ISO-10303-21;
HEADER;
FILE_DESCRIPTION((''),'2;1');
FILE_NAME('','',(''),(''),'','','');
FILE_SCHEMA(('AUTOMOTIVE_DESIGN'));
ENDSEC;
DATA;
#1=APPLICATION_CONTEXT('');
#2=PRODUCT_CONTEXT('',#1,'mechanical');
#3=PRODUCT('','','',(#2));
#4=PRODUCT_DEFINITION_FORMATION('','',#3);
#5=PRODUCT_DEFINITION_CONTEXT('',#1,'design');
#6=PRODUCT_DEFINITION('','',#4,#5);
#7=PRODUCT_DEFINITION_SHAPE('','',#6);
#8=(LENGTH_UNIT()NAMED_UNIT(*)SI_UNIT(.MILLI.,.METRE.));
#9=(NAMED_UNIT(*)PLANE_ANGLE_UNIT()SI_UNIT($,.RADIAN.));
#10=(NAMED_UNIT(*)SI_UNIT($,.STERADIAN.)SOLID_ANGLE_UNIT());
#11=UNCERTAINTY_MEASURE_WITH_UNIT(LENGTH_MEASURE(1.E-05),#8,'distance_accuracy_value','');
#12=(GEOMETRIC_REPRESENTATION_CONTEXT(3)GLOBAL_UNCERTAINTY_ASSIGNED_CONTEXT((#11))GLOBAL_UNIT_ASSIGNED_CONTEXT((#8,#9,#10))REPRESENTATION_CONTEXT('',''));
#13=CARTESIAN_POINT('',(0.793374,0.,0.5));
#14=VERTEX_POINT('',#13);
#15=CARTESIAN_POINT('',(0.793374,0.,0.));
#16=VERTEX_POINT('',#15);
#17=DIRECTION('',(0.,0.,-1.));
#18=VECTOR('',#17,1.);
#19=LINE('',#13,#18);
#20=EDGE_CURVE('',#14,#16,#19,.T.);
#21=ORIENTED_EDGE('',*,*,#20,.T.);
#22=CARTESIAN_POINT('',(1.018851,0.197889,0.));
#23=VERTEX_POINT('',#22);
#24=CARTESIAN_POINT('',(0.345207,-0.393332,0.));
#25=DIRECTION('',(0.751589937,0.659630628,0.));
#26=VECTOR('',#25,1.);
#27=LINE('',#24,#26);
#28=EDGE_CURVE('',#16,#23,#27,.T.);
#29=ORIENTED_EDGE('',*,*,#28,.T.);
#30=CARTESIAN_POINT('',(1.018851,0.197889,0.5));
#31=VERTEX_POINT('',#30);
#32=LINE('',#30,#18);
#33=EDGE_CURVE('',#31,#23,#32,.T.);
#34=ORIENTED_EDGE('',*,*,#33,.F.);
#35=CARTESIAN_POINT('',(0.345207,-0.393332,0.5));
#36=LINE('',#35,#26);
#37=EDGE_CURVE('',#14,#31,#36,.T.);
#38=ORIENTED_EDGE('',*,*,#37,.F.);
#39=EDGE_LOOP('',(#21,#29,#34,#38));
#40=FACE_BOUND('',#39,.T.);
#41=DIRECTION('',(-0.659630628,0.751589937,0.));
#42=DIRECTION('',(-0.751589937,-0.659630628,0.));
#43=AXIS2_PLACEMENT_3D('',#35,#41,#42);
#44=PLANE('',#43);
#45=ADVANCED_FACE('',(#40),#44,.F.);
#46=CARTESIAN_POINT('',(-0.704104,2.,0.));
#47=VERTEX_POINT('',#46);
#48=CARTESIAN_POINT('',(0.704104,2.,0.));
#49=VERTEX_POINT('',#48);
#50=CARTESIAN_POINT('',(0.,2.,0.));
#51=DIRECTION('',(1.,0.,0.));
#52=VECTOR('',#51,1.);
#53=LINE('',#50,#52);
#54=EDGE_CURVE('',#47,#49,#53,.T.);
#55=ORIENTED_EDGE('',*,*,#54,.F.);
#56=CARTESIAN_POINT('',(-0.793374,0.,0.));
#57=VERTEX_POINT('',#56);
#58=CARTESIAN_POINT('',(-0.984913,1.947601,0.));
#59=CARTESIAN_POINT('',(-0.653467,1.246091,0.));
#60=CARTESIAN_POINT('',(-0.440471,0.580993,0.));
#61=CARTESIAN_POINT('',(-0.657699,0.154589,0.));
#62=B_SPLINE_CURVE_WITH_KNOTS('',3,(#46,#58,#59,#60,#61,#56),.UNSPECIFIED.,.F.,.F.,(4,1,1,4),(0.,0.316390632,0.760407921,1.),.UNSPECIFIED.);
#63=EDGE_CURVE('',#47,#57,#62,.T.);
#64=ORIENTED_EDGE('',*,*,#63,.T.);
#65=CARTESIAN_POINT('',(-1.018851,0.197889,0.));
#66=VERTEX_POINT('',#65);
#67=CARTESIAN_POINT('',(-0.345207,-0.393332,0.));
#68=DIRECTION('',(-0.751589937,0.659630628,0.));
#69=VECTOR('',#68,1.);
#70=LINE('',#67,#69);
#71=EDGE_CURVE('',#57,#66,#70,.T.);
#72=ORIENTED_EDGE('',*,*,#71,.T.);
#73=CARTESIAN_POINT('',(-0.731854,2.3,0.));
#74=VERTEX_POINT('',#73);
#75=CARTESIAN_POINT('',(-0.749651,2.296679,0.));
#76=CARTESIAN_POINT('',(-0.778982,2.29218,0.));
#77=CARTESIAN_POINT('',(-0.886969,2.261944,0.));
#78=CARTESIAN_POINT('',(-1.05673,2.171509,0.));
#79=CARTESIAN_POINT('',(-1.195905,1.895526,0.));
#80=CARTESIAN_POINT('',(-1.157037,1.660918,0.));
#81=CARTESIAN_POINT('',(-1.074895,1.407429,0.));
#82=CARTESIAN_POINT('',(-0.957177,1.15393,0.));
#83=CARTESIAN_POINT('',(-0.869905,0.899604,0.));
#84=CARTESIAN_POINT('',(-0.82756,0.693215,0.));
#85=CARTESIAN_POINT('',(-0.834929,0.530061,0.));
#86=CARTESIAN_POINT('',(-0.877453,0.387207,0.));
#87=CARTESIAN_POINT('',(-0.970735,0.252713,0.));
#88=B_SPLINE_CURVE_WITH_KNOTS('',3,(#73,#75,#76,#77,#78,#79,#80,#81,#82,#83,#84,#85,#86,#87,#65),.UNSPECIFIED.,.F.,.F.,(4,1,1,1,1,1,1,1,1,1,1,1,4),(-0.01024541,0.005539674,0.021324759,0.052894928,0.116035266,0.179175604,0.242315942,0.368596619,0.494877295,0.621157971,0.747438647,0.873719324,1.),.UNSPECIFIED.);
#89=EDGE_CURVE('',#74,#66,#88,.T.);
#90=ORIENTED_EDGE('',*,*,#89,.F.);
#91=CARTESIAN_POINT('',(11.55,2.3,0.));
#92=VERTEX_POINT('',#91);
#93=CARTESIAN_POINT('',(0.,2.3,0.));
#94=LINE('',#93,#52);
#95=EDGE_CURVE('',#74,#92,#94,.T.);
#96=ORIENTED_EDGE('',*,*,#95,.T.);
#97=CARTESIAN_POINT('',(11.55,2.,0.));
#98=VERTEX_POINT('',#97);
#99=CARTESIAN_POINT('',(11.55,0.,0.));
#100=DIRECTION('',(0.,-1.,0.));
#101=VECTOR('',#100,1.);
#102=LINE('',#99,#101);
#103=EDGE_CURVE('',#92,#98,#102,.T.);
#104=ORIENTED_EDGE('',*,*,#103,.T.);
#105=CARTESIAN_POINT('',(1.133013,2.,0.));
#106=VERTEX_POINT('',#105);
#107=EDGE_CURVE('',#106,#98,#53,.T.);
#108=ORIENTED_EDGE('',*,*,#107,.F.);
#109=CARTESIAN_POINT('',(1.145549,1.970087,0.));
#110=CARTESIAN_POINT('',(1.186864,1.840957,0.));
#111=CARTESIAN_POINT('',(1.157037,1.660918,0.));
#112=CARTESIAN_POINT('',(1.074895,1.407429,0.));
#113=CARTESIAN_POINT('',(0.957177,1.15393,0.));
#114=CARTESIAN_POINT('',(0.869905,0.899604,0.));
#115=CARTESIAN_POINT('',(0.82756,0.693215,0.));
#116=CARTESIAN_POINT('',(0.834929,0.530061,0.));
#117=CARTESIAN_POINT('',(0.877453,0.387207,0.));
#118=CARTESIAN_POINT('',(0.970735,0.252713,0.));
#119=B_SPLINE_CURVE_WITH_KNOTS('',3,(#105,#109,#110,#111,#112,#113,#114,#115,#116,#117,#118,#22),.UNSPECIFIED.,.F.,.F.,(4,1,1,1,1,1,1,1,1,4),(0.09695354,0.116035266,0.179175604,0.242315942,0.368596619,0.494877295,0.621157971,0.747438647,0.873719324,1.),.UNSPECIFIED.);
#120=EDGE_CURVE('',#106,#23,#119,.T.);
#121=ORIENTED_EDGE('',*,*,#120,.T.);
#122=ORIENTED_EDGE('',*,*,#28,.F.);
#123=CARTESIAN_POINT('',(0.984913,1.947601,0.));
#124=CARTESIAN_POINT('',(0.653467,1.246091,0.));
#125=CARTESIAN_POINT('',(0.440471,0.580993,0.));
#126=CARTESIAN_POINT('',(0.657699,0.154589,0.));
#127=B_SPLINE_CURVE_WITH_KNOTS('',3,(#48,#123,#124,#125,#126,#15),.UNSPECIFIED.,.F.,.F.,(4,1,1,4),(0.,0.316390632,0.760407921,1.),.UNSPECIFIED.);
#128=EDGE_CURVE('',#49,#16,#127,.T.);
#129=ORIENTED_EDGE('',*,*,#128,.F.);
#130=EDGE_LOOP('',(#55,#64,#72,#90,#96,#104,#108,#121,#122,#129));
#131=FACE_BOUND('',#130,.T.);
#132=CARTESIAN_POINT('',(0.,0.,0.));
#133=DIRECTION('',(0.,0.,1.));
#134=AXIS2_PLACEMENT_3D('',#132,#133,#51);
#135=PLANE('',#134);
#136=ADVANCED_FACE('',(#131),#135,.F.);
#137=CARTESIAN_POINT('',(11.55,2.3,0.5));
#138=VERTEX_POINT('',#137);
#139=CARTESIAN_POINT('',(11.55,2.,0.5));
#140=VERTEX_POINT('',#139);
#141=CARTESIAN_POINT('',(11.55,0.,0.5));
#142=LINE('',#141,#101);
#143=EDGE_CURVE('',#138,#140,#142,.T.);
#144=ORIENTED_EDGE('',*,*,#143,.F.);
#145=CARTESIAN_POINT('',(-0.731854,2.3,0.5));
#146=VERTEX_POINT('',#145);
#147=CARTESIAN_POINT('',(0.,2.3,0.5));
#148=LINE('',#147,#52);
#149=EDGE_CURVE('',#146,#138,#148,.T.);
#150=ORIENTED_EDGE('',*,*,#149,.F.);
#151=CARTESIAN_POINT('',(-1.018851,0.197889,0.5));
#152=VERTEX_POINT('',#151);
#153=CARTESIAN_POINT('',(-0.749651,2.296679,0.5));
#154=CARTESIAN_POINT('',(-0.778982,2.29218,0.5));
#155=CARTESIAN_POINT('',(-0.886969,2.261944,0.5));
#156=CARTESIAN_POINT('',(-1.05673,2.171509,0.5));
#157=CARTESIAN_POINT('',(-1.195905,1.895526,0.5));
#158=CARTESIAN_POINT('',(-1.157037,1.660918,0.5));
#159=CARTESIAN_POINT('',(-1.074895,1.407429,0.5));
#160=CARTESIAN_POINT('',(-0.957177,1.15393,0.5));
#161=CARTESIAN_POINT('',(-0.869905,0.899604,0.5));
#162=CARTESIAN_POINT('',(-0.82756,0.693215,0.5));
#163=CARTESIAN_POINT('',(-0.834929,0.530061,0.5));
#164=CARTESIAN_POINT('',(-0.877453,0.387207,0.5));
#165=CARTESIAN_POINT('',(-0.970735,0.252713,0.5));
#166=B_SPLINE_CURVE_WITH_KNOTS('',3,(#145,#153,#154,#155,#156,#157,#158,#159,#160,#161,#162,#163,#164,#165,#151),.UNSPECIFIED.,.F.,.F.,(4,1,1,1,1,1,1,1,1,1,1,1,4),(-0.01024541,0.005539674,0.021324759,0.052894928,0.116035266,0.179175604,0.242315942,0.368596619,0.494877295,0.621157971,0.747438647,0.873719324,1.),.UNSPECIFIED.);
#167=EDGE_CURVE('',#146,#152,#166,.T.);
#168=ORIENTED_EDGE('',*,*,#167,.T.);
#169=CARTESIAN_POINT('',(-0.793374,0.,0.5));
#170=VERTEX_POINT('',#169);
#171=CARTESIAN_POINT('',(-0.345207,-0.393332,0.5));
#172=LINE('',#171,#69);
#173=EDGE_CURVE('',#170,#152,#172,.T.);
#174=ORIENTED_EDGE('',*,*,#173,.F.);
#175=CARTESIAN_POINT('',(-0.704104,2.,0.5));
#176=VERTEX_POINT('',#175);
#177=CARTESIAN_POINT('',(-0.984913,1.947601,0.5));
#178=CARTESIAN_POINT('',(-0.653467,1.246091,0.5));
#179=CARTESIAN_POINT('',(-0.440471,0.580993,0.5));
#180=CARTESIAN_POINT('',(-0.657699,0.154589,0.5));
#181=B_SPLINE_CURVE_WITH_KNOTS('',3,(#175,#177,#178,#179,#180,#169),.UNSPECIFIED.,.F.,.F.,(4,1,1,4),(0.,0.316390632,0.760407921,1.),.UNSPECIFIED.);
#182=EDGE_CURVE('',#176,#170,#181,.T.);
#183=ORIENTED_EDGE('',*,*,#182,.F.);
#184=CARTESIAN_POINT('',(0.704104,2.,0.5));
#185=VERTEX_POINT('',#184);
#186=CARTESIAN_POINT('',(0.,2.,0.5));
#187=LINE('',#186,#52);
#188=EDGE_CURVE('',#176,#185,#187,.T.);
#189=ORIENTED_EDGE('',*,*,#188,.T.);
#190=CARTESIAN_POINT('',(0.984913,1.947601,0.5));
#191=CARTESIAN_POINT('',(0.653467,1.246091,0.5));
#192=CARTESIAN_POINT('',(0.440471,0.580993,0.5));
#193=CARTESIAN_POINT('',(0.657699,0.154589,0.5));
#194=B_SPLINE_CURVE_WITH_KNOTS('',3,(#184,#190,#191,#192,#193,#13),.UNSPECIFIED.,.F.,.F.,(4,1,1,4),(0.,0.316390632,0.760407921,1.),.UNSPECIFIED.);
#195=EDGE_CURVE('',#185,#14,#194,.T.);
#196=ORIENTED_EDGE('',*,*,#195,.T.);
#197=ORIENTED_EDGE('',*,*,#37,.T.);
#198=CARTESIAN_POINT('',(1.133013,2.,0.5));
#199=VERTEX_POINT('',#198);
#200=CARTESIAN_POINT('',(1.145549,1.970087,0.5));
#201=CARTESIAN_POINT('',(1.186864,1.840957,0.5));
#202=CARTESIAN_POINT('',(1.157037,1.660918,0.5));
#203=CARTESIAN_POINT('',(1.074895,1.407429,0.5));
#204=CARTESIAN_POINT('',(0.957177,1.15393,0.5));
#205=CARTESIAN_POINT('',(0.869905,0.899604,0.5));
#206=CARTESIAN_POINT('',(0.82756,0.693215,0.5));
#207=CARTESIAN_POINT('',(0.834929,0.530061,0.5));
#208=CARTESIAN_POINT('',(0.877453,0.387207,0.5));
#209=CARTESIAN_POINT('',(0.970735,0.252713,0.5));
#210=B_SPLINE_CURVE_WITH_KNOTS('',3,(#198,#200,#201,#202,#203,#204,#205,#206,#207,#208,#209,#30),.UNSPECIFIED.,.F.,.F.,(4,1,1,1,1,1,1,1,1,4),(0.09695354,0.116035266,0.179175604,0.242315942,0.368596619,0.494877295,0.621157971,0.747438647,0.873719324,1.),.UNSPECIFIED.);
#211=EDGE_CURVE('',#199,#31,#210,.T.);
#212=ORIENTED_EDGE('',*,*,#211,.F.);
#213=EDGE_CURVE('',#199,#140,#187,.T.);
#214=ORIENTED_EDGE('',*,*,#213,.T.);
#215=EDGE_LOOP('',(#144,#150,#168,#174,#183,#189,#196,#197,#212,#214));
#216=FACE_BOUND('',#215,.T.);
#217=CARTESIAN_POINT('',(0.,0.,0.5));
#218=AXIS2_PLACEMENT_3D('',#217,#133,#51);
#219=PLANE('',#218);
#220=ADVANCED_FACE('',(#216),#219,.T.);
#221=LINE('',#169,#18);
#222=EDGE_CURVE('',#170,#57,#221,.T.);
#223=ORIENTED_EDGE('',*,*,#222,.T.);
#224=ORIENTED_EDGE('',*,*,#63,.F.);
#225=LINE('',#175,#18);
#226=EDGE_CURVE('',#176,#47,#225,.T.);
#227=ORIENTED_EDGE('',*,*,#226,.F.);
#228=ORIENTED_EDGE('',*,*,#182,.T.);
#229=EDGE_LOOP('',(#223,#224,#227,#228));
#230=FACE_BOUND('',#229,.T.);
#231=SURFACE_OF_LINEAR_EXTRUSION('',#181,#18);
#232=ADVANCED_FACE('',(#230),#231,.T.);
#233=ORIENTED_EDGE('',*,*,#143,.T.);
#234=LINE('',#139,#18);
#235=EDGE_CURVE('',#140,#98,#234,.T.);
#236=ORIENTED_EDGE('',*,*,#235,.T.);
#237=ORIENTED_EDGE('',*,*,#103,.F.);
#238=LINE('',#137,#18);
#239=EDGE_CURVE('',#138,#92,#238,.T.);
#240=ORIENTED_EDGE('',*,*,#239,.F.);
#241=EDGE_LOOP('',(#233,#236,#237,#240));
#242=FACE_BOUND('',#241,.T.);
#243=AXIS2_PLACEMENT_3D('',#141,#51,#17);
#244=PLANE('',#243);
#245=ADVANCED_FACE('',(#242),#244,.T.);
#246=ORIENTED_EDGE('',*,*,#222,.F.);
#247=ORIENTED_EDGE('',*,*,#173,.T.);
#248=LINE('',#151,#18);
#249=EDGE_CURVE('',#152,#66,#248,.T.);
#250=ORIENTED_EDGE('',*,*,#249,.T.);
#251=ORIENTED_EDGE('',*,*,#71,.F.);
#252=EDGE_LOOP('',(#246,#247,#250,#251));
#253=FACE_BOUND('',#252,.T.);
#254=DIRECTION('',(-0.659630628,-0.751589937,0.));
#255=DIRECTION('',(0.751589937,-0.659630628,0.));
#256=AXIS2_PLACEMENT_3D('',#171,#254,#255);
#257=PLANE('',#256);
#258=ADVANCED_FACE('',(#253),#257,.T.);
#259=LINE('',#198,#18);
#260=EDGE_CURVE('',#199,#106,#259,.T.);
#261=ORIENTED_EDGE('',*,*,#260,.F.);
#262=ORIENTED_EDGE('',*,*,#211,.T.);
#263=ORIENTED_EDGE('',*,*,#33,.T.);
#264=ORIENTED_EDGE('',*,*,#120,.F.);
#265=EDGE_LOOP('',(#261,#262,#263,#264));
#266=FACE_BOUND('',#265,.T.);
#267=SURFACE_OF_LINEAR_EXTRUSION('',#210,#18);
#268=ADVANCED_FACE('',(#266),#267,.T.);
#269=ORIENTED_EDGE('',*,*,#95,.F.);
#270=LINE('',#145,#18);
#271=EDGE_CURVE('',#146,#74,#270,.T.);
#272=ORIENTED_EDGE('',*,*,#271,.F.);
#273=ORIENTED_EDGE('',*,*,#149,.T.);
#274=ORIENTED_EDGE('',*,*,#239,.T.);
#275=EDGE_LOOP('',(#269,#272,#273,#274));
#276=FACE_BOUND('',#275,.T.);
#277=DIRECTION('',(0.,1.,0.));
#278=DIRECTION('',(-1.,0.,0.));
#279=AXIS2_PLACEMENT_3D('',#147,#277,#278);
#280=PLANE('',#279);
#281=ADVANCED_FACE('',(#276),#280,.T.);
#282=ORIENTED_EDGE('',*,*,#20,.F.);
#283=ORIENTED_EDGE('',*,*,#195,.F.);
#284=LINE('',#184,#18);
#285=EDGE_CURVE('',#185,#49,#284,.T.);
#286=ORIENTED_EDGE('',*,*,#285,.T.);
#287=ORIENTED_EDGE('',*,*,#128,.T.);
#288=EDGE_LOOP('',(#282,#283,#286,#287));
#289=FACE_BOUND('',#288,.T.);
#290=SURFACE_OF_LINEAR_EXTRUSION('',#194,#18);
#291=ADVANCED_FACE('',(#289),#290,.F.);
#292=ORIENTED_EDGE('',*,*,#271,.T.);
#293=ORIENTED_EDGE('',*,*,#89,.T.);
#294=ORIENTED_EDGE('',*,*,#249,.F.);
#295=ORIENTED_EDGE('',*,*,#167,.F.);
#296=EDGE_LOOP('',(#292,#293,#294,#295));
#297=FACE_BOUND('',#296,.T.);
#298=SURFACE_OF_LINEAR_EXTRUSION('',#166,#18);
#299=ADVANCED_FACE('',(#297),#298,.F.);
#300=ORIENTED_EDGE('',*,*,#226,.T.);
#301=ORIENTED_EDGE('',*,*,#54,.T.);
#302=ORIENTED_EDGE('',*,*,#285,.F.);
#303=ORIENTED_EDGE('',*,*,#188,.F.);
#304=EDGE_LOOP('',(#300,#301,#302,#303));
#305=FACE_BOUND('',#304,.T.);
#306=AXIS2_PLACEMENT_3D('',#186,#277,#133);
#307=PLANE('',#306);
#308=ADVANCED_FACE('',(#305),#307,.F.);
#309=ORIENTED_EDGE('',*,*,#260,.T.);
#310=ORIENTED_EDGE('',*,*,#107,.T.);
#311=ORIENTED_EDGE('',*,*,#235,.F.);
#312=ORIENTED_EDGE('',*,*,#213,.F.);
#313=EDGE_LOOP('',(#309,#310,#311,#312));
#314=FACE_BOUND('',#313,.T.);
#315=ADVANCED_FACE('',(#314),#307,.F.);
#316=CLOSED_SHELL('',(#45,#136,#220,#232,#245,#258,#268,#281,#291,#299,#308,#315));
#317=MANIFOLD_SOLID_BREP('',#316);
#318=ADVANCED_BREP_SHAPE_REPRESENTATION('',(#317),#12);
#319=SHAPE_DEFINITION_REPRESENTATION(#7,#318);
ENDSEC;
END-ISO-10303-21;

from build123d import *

# Parameters (mm, degrees)
BOSS_EXTRUDE1_DEPTH = 0.5


with BuildPart() as part:
    # Sketch1 → Boss-Extrude1 (new body)
    with BuildSketch(Plane.XY):
        with BuildLine():
            Line((-0.704103555, 2), (-0.55, 2))
            Line((-0.55, 2), (0.55, 2))
            Line((0.55, 2), (0.704103555, 2))
            add(Edge.make_bspline(
                [(0.704103555, 2), (0.984913182, 1.947600865), (0.653467277, 1.246091392), (0.440470999, 0.580993389), (0.657699293, 0.154588797), (0.793373681, 0)],
                knots=[0, 0, 0, 0, 0.316390632, 0.760407921, 1, 1, 1, 1], degree=3))
            Line((0.793373681, 0), (1.018850663, 0.197889189))
            add(Edge.make_bspline(
                [(1.133013434, 2), (1.145549027, 1.970086767), (1.186864012, 1.840956756), (1.15703676, 1.660917539), (1.074895189, 1.407428806), (0.957177151, 1.153930424), (0.869904633, 0.899603608), (0.827560013, 0.69321454), (0.834928932, 0.530060955), (0.877453, 0.38720653), (0.970734517, 0.252713221), (1.018850663, 0.197889189)],
                knots=[0.09695354, 0.09695354, 0.09695354, 0.09695354, 0.116035266, 0.179175604, 0.242315942, 0.368596619, 0.494877295, 0.621157971, 0.747438647, 0.873719324, 1, 1, 1, 1], degree=3))
            Line((1.133013434, 2), (11.55, 2))
            Line((11.55, 2), (11.55, 2.3))
            Line((11.55, 2.3), (0.55, 2.3))
            Line((0.55, 2.3), (-0.55, 2.3))
            Line((-0.55, 2.3), (-0.731854087, 2.3))
            add(Edge.make_bspline(
                [(-0.731854087, 2.3), (-0.749651334, 2.29667903), (-0.778982171, 2.292180164), (-0.886968809, 2.261943836), (-1.056729579, 2.171508628), (-1.195904507, 1.895525735), (-1.157036764, 1.660917538), (-1.074895193, 1.407428806), (-0.957177154, 1.153930424), (-0.869904635, 0.899603608), (-0.827560014, 0.693214541), (-0.834928933, 0.530060955), (-0.877453, 0.387206531), (-0.970734517, 0.252713221), (-1.018850663, 0.197889189)],
                knots=[-0.01024541, -0.01024541, -0.01024541, -0.01024541, 0.005539674, 0.021324759, 0.052894928, 0.116035266, 0.179175604, 0.242315942, 0.368596619, 0.494877295, 0.621157971, 0.747438647, 0.873719324, 1, 1, 1, 1], degree=3))
            Line((-1.018850663, 0.197889189), (-0.793373681, 0))
            add(Edge.make_bspline(
                [(-0.704103555, 2), (-0.984913182, 1.947600865), (-0.653467277, 1.246091392), (-0.440470999, 0.580993389), (-0.657699293, 0.154588797), (-0.793373681, 0)],
                knots=[0, 0, 0, 0, 0.316390632, 0.760407921, 1, 1, 1, 1], degree=3))
        make_face()
    extrude(amount=BOSS_EXTRUDE1_DEPTH)


solid = part.part
